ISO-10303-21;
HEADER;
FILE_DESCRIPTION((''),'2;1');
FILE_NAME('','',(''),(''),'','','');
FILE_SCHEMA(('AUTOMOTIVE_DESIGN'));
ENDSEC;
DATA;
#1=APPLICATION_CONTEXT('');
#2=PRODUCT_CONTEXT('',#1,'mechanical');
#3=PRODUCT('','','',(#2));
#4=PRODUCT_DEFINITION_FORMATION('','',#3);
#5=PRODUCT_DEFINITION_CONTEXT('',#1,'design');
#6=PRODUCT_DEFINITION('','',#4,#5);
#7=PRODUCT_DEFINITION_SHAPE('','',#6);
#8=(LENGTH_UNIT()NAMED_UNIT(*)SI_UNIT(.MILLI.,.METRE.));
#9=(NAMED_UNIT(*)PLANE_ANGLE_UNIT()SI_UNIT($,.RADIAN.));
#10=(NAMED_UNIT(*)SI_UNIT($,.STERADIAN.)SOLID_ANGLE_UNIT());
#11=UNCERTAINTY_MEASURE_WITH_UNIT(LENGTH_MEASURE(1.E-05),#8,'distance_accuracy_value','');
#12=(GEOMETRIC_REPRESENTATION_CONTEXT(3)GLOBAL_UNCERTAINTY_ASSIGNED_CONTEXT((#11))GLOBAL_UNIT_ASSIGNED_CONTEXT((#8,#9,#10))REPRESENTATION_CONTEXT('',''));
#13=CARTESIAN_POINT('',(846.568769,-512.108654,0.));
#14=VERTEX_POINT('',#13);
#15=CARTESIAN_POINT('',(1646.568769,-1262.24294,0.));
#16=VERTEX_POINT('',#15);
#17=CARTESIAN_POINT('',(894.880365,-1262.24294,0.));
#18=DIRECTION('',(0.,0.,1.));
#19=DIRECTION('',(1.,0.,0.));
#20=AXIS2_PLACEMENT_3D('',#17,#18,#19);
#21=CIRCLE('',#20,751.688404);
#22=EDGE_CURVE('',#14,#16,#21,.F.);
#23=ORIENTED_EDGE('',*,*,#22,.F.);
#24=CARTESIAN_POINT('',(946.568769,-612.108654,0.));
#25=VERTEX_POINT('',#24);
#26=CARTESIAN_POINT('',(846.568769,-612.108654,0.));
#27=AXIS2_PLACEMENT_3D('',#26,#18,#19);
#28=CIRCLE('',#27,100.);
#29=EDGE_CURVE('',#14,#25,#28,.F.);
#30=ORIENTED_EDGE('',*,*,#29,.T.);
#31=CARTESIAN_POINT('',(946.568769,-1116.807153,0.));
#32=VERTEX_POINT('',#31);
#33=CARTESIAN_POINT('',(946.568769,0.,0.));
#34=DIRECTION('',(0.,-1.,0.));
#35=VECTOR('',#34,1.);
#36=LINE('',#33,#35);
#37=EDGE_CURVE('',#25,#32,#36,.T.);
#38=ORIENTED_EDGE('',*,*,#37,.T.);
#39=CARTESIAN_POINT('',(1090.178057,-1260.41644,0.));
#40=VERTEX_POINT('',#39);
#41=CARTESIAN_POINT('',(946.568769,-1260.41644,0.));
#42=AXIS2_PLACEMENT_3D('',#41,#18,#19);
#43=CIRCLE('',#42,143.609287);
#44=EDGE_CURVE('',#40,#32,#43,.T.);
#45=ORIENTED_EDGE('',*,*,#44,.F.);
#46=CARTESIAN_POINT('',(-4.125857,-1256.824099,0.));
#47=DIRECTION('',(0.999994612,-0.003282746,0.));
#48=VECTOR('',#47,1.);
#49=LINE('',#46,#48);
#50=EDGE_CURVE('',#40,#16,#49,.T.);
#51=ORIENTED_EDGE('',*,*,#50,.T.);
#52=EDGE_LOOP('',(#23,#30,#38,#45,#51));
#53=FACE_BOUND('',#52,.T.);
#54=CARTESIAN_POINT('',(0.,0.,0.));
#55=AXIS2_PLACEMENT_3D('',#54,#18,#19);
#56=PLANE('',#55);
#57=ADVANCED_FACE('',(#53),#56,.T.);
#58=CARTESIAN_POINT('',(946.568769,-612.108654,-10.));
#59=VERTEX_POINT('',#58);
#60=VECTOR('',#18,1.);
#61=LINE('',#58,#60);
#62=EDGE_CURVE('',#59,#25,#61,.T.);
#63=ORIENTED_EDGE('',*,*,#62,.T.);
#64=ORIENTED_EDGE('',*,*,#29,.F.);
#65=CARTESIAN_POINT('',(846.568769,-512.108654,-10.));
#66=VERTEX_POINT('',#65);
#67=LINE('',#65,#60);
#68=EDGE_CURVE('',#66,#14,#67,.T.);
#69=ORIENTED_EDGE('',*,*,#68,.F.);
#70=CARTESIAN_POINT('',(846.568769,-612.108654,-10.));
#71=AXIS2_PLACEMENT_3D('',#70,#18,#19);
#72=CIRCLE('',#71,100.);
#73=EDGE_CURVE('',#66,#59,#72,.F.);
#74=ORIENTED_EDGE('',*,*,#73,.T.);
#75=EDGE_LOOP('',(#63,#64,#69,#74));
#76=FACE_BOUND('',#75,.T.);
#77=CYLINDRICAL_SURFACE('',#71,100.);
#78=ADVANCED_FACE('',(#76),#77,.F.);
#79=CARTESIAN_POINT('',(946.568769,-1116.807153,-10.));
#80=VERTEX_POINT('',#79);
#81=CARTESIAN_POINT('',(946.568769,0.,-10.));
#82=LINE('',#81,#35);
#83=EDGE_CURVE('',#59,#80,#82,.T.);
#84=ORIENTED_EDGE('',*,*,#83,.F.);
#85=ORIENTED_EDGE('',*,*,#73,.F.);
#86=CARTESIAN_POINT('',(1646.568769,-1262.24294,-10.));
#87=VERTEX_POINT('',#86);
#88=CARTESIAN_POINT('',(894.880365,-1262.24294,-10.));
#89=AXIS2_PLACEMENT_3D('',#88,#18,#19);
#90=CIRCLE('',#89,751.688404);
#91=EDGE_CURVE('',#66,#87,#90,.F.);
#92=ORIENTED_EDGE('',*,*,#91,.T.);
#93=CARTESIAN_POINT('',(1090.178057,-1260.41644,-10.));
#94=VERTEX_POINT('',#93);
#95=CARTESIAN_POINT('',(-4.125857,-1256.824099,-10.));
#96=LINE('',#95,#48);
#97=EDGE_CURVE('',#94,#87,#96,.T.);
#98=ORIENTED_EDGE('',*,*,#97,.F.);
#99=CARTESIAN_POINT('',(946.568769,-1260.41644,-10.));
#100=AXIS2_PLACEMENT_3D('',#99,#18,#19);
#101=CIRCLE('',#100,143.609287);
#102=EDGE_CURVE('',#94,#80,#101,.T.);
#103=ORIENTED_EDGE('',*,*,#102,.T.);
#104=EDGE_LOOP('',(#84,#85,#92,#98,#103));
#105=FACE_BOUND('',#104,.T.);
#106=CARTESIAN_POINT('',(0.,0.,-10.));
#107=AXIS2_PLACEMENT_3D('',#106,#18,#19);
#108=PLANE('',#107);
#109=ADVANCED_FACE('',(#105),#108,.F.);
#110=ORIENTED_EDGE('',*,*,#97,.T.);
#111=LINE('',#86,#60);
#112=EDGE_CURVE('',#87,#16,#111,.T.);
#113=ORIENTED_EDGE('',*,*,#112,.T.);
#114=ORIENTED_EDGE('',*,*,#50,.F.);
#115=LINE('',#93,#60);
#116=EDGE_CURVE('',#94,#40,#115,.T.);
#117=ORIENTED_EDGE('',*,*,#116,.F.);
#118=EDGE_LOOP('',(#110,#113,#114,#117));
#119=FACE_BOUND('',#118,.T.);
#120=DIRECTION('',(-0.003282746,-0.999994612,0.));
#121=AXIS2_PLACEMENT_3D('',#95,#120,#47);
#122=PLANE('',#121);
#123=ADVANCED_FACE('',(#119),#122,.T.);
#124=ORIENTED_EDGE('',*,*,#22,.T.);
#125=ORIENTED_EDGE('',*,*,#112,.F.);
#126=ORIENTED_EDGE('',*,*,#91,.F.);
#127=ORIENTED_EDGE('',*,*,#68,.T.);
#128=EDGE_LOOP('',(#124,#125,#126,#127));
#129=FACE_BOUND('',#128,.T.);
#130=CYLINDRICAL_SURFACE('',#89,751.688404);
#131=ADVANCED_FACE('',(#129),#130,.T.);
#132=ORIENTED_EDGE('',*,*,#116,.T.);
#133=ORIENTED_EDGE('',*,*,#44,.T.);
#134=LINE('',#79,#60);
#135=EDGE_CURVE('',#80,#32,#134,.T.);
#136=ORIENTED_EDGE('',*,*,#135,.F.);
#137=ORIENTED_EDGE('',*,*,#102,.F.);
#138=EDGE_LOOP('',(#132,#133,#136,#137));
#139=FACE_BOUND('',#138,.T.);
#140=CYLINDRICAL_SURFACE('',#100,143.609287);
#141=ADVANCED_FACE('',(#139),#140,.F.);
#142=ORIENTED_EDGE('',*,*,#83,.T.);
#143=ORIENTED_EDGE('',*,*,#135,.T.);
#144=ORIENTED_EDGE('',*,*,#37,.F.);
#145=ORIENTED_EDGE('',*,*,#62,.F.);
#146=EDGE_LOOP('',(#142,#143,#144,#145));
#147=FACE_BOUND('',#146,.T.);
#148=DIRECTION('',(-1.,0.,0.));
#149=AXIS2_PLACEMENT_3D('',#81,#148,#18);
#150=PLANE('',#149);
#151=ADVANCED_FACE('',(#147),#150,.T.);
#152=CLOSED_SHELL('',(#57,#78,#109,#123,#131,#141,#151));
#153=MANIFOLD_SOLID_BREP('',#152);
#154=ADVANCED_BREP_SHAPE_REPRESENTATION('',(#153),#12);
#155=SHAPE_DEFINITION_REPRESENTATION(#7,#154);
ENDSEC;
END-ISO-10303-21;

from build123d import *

# Parameters (mm, degrees)
BOSS_EXTRUDE2_DEPTH = 10


with BuildPart() as part:
    # Sketch1 → Boss-Extrude2 (new body)
    with BuildSketch(Plane.XY):
        with BuildLine():
            Line((946.568769473, -612.108653834), (946.568769473, -1116.807153033))
            ThreePointArc((946.568769473, -1116.807153033), (1048.115870255, -1158.869339396), (1090.178056619, -1260.416440178))
            Line((1090.178056619, -1260.416440178), (1646.568769473, -1262.242939545))
            ThreePointArc((1646.568769473, -1262.242939545), (1409.039966295, -713.90421061), (846.568769473, -512.108653834))
            ThreePointArc((846.568769473, -512.108653834), (917.279447592, -541.397975715), (946.568769473, -612.108653834))
        make_face()
    extrude(amount=-BOSS_EXTRUDE2_DEPTH)


solid = part.part
